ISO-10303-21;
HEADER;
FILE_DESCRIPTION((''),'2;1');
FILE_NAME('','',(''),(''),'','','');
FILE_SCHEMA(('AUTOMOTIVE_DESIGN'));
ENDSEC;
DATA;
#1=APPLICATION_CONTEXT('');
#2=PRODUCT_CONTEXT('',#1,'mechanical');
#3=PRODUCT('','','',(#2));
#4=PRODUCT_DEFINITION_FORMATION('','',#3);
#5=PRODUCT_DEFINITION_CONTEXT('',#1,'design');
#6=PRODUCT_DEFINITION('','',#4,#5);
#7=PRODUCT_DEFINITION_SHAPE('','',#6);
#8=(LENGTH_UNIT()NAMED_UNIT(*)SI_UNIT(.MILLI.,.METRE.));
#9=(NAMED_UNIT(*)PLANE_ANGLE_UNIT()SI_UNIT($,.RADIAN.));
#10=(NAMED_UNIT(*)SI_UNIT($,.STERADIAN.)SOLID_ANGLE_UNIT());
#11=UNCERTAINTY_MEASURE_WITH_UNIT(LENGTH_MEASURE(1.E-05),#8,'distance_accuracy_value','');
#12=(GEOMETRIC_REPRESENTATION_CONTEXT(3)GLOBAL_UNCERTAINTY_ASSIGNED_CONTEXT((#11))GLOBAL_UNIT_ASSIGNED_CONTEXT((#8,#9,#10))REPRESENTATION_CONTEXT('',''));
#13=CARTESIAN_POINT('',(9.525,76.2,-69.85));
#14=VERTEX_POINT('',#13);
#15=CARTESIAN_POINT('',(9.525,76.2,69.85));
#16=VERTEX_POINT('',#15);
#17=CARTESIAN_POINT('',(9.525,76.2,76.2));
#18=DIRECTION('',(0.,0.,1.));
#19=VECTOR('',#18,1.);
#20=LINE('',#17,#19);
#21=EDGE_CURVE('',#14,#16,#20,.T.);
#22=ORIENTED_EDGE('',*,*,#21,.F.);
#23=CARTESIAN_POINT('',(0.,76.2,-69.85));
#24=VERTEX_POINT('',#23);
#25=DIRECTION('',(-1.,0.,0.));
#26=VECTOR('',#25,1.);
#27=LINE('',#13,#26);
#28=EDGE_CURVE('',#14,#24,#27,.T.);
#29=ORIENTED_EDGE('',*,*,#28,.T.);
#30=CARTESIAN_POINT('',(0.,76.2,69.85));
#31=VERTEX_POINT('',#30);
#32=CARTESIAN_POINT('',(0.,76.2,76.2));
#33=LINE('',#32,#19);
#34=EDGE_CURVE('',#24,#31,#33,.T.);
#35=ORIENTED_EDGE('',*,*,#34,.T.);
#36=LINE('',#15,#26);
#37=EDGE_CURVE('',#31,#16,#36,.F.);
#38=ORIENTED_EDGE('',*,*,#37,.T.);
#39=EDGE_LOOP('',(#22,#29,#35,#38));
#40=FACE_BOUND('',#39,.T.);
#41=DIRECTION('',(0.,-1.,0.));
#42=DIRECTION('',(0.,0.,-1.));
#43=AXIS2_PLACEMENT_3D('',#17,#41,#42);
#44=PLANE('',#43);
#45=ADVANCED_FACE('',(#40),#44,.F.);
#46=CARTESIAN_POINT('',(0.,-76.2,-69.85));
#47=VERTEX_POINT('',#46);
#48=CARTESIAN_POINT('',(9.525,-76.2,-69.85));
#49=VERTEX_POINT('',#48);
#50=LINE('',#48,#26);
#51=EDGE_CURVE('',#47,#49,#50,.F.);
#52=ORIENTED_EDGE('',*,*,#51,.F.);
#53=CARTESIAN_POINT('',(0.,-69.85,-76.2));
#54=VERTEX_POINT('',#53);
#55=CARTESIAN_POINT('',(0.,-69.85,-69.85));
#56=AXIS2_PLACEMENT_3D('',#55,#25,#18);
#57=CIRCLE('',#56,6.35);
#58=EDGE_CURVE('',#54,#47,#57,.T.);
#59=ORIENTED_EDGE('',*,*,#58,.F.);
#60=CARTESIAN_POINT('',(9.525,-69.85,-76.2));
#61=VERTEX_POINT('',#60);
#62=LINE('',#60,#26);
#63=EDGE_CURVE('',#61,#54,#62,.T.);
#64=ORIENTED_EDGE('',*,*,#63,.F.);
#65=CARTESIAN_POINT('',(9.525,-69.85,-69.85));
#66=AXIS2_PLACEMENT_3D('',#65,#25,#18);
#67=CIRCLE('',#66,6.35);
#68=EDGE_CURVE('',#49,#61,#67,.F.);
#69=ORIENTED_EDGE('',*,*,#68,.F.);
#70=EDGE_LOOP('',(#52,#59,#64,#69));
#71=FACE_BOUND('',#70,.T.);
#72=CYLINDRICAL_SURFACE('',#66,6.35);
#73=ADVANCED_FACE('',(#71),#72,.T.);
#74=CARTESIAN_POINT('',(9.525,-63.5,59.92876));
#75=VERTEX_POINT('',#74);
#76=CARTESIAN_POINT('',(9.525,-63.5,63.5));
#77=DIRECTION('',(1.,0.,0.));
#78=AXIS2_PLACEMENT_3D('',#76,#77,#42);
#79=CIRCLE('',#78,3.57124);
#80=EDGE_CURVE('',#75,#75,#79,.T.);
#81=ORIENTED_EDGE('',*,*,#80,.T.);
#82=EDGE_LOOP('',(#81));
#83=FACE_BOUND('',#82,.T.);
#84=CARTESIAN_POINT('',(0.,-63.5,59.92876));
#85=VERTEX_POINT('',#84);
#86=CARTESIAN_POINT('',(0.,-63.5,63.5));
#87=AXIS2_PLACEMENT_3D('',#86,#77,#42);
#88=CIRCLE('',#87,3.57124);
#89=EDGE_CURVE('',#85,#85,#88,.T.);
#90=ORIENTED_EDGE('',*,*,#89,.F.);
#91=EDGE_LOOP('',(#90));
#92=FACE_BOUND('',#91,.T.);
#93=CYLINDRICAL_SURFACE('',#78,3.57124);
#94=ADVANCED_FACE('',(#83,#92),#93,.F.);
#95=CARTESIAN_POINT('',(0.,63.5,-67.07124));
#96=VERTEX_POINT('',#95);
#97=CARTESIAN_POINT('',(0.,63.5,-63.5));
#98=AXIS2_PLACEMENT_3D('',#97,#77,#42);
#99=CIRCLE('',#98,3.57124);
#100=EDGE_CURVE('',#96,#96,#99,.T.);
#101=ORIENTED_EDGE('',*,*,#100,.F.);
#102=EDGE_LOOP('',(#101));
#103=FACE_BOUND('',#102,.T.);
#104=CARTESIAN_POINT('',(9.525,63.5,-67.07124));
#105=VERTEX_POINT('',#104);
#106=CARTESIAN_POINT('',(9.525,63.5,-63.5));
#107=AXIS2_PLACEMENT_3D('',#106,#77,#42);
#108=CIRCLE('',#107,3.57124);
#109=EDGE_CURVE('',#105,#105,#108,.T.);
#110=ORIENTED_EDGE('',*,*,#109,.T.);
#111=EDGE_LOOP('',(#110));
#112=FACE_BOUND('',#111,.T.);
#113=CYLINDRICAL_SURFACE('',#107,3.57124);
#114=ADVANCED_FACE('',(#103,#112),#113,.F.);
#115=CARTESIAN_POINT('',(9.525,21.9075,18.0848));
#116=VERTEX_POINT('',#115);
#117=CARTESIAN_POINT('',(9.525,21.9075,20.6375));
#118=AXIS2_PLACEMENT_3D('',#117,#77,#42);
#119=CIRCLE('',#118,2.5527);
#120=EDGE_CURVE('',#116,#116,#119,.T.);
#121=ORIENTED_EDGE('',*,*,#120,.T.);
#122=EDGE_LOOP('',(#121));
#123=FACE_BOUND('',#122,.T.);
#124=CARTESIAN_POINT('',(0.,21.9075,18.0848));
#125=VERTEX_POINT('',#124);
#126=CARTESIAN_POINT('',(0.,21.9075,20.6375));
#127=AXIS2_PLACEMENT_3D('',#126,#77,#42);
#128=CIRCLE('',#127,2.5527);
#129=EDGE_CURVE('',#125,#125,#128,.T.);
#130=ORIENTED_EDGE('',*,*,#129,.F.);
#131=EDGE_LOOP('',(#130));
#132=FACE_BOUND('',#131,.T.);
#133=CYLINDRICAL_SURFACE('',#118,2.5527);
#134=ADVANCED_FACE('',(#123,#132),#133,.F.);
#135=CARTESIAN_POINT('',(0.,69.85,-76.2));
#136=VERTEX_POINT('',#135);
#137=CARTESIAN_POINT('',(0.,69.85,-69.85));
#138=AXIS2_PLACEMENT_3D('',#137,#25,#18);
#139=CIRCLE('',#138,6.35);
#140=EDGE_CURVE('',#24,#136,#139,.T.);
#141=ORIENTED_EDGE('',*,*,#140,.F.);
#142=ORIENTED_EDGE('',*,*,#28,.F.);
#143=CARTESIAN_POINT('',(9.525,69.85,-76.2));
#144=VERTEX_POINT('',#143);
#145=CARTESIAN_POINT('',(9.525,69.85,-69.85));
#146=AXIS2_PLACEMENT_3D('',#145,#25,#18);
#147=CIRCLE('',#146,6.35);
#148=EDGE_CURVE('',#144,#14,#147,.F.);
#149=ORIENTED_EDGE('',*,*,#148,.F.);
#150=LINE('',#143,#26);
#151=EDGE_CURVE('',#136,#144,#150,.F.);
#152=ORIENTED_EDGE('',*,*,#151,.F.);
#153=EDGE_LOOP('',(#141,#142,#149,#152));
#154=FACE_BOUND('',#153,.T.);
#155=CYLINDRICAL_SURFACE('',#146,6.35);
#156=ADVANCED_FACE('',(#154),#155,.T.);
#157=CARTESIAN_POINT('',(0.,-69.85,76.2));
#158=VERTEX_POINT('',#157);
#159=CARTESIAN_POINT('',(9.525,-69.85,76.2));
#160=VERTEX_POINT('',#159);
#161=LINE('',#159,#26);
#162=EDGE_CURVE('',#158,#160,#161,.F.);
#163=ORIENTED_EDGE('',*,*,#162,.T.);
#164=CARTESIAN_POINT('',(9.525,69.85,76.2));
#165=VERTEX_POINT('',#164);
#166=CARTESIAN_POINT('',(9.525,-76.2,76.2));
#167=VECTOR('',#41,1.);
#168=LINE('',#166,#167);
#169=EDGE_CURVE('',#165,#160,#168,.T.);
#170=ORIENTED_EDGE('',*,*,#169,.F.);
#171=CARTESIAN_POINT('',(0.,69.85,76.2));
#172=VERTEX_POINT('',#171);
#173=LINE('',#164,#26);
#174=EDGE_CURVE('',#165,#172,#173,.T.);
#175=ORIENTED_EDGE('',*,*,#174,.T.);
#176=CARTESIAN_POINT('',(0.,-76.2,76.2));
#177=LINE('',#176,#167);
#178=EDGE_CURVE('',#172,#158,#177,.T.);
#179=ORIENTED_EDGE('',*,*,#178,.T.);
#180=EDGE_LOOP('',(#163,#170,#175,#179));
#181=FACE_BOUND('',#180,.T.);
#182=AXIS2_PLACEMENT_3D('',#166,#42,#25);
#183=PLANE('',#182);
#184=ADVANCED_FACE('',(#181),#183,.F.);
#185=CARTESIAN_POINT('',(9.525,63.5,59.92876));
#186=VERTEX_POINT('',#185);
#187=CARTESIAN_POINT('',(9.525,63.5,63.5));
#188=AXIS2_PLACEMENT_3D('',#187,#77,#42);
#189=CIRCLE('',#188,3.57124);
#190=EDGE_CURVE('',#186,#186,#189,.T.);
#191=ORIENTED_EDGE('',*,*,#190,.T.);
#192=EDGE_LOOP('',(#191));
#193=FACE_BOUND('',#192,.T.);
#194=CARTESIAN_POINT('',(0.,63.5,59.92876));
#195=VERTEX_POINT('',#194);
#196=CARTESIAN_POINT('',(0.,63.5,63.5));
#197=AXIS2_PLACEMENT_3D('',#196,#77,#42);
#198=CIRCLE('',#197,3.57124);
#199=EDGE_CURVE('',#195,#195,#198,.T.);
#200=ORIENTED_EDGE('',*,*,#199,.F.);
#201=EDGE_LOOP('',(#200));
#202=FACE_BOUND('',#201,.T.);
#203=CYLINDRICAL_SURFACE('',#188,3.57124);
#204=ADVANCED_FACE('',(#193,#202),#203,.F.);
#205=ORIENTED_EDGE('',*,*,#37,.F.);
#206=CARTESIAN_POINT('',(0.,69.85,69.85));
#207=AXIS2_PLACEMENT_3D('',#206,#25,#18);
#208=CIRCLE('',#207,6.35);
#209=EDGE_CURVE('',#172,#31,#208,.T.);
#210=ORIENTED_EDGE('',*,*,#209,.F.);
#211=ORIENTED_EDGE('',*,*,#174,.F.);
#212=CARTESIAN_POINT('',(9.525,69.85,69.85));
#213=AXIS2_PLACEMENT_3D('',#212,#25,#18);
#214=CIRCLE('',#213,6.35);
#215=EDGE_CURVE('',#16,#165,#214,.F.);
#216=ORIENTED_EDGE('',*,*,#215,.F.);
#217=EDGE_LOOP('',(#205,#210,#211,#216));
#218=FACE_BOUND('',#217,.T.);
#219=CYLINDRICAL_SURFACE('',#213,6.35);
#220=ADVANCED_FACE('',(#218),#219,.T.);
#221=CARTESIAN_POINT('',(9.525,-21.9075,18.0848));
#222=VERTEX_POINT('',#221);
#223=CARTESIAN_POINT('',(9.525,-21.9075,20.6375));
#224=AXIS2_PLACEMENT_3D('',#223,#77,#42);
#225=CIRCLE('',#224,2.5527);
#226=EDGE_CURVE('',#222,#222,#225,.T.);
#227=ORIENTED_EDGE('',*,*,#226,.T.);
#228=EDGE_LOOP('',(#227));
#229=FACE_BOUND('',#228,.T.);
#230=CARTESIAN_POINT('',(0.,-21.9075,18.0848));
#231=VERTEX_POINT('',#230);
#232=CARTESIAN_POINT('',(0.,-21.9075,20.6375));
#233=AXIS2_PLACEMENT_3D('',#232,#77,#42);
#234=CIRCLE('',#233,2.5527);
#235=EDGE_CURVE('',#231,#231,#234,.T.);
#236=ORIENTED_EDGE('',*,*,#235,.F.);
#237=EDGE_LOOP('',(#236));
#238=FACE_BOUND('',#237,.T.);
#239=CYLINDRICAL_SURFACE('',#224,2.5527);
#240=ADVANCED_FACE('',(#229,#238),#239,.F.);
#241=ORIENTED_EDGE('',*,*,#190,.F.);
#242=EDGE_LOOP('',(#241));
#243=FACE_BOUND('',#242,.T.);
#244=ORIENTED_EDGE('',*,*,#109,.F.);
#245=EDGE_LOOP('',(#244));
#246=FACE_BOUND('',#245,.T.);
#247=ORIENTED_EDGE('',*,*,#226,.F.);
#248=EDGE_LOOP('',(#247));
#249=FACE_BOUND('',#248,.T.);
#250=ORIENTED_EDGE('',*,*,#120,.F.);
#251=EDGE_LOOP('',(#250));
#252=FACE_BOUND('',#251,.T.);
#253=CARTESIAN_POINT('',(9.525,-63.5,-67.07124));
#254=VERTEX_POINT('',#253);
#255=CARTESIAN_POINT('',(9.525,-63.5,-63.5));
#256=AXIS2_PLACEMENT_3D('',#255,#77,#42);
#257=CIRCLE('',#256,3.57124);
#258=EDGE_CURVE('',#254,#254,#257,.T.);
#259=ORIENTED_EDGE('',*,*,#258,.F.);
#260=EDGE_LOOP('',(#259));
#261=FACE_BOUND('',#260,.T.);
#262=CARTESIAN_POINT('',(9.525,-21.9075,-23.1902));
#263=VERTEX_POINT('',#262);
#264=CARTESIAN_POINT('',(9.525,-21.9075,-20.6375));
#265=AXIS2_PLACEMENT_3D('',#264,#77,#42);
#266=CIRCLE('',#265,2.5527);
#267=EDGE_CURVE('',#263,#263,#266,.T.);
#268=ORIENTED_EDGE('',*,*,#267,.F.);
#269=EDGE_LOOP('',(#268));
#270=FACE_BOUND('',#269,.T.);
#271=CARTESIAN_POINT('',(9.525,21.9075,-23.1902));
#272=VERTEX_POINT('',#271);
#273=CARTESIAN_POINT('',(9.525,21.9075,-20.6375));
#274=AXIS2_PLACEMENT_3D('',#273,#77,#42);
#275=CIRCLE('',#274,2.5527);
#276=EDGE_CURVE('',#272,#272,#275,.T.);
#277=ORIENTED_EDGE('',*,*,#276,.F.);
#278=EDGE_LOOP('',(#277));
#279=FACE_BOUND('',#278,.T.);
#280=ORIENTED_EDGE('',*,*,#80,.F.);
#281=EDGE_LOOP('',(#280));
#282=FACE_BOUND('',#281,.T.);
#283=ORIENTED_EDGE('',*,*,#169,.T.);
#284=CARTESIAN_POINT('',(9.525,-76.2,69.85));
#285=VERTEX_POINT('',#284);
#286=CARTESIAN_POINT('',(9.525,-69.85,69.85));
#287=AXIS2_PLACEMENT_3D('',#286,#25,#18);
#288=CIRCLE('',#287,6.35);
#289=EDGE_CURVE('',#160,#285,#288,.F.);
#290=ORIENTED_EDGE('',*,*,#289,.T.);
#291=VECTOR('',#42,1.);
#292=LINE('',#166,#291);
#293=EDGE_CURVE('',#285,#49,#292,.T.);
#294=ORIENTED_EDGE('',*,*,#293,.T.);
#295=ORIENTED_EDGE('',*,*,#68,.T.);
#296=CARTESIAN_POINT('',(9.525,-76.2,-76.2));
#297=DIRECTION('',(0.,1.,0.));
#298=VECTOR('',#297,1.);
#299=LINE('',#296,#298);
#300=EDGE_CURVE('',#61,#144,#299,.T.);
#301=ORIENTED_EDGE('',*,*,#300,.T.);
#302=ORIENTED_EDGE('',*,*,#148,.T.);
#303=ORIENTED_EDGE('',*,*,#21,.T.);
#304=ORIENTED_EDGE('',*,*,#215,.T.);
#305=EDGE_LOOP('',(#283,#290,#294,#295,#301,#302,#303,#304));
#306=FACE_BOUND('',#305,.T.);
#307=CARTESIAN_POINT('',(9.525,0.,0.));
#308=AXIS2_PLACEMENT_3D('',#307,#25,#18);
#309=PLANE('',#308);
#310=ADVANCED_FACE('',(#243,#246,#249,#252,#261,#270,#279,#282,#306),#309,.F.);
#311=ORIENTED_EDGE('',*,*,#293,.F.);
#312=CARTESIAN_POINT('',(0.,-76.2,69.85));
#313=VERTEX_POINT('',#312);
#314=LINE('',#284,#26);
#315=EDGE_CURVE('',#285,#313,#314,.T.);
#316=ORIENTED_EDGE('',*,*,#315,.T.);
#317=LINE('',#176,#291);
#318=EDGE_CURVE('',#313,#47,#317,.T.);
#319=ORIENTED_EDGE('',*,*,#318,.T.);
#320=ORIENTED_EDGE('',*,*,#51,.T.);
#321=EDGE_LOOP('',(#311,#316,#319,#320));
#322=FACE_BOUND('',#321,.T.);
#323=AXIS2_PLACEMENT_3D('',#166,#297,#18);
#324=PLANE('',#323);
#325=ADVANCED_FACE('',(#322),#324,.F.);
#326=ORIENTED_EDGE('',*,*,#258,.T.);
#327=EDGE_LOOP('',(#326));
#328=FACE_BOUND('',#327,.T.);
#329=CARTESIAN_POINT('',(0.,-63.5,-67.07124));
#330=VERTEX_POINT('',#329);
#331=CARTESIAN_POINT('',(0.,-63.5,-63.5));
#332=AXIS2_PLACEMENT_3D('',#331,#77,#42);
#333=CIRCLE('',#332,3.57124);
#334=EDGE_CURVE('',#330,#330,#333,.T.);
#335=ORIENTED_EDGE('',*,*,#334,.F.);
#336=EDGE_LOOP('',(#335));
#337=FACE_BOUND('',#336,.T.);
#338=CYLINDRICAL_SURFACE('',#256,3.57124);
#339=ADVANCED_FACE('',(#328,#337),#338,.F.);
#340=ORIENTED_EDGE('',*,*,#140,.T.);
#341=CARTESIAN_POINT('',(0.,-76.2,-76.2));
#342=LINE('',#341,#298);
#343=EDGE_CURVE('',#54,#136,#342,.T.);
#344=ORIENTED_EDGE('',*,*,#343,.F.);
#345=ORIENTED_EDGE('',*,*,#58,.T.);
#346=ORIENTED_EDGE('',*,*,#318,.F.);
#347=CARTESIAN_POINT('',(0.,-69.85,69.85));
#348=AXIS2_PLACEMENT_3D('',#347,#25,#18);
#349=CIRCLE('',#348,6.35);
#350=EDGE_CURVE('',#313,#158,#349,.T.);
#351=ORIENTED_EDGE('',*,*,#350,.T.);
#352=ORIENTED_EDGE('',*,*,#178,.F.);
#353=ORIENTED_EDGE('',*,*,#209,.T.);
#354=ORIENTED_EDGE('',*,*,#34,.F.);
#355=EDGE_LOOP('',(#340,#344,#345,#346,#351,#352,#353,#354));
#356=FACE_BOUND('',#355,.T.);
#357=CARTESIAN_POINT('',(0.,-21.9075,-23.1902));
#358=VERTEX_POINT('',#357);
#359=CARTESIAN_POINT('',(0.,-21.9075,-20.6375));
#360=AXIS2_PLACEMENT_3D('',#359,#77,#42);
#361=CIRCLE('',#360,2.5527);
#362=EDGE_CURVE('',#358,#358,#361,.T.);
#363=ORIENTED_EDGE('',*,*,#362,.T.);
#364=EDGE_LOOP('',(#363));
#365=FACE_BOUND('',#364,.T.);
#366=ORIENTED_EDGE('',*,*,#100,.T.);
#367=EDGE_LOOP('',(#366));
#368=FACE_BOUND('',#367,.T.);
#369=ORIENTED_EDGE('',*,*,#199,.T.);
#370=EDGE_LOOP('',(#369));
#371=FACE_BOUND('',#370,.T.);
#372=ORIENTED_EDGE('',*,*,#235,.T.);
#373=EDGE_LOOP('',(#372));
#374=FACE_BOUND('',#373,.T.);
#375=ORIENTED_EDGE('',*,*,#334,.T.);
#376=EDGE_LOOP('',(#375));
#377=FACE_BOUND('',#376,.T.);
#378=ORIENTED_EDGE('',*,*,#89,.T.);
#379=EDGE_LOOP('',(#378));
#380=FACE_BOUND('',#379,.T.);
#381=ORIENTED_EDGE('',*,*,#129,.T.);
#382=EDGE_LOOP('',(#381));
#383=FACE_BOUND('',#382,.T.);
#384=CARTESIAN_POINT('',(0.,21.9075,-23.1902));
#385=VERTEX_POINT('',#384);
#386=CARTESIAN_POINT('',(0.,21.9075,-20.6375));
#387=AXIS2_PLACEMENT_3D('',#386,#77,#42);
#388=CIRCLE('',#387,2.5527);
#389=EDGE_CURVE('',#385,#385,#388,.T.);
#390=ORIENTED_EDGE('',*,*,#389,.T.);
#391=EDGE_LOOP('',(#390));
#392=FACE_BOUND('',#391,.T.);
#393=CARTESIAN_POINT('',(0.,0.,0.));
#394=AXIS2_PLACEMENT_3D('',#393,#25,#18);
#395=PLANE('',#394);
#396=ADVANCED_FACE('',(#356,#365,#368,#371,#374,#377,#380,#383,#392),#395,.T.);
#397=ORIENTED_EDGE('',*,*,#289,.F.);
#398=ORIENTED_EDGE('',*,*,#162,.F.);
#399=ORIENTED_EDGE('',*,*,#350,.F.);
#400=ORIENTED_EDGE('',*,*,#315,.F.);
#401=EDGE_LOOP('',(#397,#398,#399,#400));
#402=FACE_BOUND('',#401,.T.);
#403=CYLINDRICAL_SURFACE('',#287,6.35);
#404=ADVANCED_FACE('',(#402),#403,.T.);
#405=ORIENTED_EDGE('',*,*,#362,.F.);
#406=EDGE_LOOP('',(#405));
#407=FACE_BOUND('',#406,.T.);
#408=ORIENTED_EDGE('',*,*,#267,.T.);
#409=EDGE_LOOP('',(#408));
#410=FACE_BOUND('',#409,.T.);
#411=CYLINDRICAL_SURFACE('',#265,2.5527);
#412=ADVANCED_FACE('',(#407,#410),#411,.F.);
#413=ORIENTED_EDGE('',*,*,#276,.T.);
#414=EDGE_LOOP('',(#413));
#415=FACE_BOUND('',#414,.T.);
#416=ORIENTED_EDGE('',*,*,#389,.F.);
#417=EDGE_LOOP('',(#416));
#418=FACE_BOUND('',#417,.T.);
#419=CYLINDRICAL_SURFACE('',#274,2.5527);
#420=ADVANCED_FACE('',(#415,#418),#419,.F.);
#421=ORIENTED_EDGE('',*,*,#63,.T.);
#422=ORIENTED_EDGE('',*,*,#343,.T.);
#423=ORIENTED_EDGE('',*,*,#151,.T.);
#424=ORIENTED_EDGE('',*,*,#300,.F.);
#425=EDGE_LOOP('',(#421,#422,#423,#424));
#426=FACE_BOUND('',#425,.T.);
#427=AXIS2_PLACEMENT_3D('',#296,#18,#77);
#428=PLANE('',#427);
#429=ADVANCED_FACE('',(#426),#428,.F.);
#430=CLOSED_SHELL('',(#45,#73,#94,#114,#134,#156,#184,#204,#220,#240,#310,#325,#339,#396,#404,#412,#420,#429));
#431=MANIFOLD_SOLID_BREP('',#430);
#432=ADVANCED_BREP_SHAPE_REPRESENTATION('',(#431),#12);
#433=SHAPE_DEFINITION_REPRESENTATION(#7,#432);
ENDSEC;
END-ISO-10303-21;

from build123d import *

# Parameters (mm, degrees)
SKETCH1_W               = 152.4
SKETCH1_H               = 152.4
BOSS_EXTRUDE1_DEPTH     = 9.525
F_1_4_20_TAPPED_HOLE1_D = 5.1054
FILLET1_R               = 6.35
F_1_4_CLEARANCE_HOLE1_D = 7.14248


with BuildPart() as part:
    # Sketch1 → Boss-Extrude1 (new body)
    with BuildSketch(Plane(origin=(0, 0, 0), x_dir=(0, 0, -1), z_dir=(1, 0, 0))):
        Rectangle(SKETCH1_W, SKETCH1_H)
    extrude(amount=BOSS_EXTRUDE1_DEPTH)

    # 1/4-20 Tapped Hole1 (through all)
    with Locations(Plane(origin=(9.525, 0, 0), x_dir=(0, 0, -1), z_dir=(1, 0, 0))):
        with Locations((-20.6375, 21.9075), (20.6375, 21.9075), (20.6375, -21.9075), (-20.6375, -21.9075)):
            Hole(F_1_4_20_TAPPED_HOLE1_D / 2)

    # Fillet1
    fillet1_edges = [part.edges().sort_by_distance(p)[0] for p in [
        (4.7625, -76.2, -76.2),
        (4.7625, -76.2, 76.2),
        (4.7625, 76.2, 76.2),
        (4.7625, 76.2, -76.2),
    ]]
    fillet(fillet1_edges, radius=FILLET1_R)

    # 1/4 Clearance Hole1 (through all)
    with Locations(Plane(origin=(9.525, 0, 0), x_dir=(0, 0, -1), z_dir=(1, 0, 0))):
        with Locations((-63.5, 63.5), (63.5, 63.5), (63.5, -63.5), (-63.5, -63.5)):
            Hole(F_1_4_CLEARANCE_HOLE1_D / 2)


solid = part.part
